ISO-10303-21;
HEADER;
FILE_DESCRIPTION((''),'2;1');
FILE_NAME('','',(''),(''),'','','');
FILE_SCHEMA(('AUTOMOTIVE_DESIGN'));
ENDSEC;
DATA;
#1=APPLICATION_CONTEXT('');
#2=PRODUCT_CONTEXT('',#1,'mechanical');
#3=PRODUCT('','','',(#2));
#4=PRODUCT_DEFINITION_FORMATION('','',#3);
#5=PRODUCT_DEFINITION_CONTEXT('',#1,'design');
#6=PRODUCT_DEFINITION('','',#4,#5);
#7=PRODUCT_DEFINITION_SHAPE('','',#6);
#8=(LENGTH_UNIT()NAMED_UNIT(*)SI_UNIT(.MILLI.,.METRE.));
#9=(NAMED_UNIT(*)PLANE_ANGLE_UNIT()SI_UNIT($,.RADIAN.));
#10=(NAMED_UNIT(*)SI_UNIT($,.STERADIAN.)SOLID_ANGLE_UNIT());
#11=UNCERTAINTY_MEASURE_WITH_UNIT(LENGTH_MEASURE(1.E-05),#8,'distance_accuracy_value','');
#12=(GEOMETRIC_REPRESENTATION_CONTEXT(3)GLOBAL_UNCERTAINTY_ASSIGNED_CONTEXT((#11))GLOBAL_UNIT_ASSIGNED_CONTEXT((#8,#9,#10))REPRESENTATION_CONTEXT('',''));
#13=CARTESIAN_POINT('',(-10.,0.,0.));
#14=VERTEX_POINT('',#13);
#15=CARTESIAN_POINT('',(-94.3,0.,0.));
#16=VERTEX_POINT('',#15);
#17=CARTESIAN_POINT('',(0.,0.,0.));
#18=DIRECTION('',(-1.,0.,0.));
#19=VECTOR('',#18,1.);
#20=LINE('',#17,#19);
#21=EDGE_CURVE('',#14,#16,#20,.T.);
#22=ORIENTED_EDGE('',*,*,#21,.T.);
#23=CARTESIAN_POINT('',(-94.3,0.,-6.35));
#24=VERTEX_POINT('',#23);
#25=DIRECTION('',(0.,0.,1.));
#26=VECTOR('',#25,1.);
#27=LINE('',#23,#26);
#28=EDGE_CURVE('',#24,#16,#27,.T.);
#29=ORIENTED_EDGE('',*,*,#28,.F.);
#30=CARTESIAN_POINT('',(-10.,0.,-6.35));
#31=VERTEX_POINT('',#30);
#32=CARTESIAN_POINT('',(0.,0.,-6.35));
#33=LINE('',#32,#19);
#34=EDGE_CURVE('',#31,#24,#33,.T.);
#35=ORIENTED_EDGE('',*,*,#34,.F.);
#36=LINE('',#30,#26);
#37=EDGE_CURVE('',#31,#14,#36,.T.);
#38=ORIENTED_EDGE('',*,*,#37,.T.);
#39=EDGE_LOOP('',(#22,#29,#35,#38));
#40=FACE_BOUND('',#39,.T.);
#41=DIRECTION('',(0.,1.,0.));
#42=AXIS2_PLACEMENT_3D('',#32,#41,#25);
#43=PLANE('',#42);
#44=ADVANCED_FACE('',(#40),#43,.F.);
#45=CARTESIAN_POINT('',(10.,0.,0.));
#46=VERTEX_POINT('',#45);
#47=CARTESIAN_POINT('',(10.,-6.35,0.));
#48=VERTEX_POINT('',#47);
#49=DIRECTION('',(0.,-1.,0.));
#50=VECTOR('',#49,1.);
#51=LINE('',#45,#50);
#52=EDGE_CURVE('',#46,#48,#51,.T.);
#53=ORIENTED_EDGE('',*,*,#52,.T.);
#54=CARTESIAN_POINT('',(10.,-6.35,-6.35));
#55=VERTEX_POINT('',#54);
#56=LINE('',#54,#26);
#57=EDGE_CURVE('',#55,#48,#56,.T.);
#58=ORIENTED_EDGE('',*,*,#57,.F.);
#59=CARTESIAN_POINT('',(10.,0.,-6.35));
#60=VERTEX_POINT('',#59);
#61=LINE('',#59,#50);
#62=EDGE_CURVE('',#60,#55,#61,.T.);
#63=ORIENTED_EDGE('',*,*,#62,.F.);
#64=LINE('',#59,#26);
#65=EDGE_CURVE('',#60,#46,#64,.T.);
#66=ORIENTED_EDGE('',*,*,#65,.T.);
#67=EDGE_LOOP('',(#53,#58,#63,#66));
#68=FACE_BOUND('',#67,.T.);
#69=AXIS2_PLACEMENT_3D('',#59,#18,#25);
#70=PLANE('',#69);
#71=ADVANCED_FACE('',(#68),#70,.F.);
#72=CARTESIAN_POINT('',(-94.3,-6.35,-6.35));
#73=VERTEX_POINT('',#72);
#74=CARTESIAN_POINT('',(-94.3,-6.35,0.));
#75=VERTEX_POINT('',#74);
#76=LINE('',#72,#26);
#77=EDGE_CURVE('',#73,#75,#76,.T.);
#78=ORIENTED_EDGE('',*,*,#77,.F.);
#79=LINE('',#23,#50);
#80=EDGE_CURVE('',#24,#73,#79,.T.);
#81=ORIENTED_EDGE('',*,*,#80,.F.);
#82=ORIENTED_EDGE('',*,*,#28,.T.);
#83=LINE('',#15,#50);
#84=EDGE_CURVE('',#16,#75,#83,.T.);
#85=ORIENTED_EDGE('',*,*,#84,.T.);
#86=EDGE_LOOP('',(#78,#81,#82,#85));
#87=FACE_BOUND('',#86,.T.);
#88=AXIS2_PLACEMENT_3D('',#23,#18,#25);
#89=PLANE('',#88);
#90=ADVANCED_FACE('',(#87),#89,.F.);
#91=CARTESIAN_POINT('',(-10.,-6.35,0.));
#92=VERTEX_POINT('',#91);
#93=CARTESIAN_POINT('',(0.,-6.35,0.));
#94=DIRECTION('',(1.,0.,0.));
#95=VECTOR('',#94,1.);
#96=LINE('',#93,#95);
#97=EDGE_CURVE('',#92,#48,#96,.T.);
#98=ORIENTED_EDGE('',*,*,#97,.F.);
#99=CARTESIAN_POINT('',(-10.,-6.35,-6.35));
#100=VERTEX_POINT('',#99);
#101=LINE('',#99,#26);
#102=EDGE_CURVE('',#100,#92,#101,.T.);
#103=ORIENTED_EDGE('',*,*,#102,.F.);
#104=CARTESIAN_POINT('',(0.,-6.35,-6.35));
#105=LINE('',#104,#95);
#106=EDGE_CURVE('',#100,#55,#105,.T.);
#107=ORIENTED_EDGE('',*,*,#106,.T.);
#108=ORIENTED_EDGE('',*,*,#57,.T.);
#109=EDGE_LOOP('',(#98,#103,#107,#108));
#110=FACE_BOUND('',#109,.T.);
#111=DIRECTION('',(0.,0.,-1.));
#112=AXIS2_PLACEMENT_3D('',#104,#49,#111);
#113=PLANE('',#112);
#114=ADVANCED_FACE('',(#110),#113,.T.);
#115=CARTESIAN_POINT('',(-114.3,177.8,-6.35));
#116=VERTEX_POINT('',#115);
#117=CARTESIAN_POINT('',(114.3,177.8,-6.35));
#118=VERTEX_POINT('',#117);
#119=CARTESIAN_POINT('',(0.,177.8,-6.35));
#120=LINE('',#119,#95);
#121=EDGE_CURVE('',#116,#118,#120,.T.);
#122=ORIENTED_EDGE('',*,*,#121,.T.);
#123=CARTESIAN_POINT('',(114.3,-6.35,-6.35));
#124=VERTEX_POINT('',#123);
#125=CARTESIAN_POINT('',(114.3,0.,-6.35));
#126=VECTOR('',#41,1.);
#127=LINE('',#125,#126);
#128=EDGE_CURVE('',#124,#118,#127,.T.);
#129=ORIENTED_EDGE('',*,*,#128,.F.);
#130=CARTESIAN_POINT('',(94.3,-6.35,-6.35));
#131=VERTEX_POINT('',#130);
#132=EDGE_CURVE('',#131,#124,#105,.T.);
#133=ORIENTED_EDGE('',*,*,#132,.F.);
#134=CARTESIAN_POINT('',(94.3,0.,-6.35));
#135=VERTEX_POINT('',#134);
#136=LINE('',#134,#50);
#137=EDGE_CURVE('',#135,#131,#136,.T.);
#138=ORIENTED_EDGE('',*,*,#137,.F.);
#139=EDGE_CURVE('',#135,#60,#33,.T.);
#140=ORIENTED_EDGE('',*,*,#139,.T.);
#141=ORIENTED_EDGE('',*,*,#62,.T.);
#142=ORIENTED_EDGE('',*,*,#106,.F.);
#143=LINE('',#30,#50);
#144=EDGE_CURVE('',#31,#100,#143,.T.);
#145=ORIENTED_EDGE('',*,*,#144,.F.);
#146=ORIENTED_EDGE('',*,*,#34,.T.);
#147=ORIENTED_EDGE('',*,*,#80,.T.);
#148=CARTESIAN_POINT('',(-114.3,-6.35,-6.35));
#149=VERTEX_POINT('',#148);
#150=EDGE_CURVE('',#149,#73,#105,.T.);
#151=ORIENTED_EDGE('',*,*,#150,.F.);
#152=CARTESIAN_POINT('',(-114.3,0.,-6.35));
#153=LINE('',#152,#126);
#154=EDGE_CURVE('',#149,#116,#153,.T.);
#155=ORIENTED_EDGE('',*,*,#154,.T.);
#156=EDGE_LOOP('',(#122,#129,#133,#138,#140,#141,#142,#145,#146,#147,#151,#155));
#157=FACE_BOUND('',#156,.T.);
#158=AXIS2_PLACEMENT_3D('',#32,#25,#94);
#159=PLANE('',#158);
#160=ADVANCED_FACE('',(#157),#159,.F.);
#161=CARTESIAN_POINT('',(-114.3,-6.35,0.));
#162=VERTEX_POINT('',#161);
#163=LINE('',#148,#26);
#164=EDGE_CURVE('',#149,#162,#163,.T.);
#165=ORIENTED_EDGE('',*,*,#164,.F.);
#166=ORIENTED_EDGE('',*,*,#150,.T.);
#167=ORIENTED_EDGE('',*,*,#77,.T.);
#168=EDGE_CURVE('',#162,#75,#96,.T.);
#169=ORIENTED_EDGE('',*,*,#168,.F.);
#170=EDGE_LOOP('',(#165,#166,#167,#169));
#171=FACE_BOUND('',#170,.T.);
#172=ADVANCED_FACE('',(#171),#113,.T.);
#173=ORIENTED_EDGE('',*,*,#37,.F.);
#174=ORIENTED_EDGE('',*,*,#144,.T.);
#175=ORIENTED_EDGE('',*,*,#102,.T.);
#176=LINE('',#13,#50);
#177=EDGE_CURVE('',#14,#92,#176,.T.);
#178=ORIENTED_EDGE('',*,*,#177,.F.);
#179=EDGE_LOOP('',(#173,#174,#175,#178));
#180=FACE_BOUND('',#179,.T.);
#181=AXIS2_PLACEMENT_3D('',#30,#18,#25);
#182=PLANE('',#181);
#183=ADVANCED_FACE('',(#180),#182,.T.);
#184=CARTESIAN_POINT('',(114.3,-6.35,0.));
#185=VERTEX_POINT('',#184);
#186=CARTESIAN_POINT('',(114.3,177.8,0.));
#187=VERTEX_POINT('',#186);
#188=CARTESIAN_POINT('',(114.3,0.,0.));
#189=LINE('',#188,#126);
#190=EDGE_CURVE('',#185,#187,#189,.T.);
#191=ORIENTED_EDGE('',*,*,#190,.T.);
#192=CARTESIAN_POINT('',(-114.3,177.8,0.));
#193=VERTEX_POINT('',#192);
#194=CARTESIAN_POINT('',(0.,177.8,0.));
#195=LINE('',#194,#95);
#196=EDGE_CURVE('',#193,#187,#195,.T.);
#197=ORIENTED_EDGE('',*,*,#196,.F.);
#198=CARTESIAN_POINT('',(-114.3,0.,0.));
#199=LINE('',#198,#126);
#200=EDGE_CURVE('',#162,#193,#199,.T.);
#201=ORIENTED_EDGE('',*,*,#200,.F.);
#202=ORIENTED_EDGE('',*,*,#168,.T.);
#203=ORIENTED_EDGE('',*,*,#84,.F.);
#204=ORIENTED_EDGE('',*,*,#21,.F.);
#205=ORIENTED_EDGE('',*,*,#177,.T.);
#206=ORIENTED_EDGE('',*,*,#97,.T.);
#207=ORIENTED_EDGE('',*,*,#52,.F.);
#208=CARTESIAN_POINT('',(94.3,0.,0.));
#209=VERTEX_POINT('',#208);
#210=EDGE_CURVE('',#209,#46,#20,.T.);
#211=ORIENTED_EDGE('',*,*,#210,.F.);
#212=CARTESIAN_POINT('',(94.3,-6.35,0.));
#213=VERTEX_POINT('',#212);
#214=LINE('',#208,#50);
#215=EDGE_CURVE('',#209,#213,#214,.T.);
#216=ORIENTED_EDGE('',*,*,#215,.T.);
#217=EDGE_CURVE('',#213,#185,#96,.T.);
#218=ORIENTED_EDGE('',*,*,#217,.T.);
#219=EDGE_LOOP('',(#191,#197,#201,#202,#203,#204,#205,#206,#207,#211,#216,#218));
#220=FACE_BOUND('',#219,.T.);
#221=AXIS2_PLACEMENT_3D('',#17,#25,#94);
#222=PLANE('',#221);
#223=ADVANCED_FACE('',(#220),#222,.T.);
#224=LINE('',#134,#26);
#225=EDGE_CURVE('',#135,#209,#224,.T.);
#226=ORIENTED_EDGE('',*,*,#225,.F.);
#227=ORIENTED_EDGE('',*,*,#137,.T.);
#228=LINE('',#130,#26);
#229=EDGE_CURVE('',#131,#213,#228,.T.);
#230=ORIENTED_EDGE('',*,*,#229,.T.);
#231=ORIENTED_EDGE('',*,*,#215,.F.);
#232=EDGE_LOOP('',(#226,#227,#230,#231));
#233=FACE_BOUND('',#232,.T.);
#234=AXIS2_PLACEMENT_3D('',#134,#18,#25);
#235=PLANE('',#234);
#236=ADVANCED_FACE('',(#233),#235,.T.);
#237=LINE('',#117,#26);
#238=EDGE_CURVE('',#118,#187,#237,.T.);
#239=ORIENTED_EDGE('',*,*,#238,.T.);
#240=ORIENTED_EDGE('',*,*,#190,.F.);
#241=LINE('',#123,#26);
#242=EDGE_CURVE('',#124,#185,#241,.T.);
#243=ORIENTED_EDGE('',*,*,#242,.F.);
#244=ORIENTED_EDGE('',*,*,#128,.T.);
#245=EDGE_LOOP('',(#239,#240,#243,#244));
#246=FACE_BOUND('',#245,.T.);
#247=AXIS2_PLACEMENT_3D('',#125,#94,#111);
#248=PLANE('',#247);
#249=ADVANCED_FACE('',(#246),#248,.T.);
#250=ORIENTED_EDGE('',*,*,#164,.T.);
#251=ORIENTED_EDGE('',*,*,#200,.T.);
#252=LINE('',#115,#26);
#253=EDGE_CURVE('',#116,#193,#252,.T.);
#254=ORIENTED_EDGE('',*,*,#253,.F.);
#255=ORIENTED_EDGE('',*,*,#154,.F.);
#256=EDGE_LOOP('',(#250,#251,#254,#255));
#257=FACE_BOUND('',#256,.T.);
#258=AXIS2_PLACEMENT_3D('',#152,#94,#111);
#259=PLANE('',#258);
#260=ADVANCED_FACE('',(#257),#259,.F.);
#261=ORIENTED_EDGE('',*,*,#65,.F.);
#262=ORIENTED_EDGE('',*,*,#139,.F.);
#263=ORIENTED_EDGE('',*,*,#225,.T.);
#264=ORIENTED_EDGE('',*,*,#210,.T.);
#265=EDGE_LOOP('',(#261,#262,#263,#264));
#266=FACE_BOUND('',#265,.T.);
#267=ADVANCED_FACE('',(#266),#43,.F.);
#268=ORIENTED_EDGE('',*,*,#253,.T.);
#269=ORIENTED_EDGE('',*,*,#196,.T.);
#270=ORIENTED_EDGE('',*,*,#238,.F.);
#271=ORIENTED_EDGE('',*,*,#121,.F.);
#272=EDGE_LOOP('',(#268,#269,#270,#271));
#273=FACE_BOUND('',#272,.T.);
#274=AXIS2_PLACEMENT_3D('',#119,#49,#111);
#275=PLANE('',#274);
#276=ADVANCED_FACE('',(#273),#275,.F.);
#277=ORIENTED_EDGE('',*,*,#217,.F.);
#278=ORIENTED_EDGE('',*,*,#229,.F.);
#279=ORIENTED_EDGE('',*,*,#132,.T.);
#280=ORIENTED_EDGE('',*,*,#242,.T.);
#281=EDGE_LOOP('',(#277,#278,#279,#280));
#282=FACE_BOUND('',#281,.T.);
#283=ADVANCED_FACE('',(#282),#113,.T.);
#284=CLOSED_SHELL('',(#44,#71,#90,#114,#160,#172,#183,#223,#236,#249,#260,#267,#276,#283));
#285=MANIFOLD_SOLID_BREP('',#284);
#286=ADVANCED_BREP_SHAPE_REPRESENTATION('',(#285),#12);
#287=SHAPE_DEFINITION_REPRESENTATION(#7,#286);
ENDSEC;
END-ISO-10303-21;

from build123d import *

# Parameters (mm, degrees)
BOSS_EXTRUDE1_DEPTH = 6.35


with BuildPart() as part:
    # Sketch1 → Boss-Extrude1 (new body)
    with BuildSketch(Plane.XY):
        Polygon((114.3, -6.35), (114.3, 0), (114.3, 177.8), (-114.3, 177.8), (-114.3, 0), (-114.3, -6.35), (-94.3, -6.35), (-94.3, 0), (-10, 0), (-10, -6.35), (10, -6.35), (10, 0), (94.3, 0), (94.3, -6.35), align=None)
    extrude(amount=-BOSS_EXTRUDE1_DEPTH)


solid = part.part
